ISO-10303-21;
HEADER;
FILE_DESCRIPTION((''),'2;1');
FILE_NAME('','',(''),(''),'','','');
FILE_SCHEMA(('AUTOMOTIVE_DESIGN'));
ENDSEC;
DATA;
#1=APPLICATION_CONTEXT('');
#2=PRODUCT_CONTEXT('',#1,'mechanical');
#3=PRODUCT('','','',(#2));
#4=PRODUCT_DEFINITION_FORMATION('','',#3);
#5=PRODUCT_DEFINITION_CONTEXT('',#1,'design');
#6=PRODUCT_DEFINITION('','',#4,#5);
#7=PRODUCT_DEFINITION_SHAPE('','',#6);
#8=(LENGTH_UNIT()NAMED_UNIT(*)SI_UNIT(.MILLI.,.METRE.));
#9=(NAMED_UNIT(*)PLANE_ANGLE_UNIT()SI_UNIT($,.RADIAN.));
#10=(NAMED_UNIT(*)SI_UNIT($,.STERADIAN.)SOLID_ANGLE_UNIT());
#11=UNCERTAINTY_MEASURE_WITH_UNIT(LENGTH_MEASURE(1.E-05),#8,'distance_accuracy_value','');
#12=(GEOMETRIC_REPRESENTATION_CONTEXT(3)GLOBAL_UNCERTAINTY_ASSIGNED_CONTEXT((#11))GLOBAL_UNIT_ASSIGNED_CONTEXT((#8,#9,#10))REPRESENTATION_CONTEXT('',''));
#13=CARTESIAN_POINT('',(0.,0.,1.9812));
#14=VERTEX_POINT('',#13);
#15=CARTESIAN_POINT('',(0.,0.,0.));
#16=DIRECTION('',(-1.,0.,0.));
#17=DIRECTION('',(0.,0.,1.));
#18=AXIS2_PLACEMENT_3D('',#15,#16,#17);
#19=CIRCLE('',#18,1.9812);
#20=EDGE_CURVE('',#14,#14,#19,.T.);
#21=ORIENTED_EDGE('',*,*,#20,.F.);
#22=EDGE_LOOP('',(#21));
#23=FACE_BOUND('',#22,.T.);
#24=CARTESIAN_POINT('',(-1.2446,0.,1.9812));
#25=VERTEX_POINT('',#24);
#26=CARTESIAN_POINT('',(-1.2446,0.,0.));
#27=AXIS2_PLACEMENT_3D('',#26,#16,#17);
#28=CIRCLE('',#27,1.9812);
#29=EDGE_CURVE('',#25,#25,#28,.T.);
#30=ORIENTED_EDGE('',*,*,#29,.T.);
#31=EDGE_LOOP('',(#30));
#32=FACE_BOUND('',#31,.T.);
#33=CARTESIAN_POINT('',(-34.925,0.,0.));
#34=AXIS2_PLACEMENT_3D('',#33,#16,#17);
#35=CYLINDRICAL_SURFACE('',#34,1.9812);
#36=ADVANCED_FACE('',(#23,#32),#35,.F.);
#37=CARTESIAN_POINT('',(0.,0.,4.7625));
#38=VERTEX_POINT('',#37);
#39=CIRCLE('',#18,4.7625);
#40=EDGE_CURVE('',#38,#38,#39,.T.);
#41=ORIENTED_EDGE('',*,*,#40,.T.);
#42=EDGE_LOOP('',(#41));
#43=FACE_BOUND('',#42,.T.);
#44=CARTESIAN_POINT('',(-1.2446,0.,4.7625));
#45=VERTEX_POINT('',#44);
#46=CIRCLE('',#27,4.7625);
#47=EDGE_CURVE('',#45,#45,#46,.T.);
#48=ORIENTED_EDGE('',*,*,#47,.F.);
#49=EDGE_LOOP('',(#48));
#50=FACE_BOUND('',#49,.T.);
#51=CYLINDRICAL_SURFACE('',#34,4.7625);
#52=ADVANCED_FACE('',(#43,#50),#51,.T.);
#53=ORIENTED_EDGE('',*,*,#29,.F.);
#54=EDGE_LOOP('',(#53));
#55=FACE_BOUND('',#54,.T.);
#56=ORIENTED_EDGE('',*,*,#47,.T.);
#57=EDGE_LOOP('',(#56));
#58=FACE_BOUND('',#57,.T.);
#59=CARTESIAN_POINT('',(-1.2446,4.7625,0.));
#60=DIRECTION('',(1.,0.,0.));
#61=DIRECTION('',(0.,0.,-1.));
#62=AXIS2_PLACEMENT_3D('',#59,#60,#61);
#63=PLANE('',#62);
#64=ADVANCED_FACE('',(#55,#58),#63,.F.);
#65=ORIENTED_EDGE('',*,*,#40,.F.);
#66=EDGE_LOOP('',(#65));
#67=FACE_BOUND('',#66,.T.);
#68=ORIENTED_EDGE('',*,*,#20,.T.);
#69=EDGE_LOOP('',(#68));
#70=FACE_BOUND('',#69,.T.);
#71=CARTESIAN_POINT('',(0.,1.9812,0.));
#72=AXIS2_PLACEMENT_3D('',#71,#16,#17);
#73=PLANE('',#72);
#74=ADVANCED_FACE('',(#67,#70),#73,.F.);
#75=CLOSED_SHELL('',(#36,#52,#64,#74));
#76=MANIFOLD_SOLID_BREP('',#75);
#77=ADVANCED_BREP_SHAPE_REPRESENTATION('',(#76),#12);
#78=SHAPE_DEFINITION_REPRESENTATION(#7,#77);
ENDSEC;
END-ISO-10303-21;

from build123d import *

# Parameters (mm, degrees)
SKETCH1_W = 1.2446
SKETCH1_H = 2.7813


with BuildPart() as part:
    # Sketch1 → Base-Revolve (revolve)
    with BuildSketch(Plane.XY, mode=Mode.PRIVATE) as base_revolve_sk:
        with Locations((-0.6223, 3.37185)):
            Rectangle(SKETCH1_W, SKETCH1_H)
    revolve(base_revolve_sk.sketch.rotate(Axis((-34.925, 0, 0), (1, 0, 0)), 90), axis=Axis((-34.925, 0, 0), (1, 0, 0)))


solid = part.part
